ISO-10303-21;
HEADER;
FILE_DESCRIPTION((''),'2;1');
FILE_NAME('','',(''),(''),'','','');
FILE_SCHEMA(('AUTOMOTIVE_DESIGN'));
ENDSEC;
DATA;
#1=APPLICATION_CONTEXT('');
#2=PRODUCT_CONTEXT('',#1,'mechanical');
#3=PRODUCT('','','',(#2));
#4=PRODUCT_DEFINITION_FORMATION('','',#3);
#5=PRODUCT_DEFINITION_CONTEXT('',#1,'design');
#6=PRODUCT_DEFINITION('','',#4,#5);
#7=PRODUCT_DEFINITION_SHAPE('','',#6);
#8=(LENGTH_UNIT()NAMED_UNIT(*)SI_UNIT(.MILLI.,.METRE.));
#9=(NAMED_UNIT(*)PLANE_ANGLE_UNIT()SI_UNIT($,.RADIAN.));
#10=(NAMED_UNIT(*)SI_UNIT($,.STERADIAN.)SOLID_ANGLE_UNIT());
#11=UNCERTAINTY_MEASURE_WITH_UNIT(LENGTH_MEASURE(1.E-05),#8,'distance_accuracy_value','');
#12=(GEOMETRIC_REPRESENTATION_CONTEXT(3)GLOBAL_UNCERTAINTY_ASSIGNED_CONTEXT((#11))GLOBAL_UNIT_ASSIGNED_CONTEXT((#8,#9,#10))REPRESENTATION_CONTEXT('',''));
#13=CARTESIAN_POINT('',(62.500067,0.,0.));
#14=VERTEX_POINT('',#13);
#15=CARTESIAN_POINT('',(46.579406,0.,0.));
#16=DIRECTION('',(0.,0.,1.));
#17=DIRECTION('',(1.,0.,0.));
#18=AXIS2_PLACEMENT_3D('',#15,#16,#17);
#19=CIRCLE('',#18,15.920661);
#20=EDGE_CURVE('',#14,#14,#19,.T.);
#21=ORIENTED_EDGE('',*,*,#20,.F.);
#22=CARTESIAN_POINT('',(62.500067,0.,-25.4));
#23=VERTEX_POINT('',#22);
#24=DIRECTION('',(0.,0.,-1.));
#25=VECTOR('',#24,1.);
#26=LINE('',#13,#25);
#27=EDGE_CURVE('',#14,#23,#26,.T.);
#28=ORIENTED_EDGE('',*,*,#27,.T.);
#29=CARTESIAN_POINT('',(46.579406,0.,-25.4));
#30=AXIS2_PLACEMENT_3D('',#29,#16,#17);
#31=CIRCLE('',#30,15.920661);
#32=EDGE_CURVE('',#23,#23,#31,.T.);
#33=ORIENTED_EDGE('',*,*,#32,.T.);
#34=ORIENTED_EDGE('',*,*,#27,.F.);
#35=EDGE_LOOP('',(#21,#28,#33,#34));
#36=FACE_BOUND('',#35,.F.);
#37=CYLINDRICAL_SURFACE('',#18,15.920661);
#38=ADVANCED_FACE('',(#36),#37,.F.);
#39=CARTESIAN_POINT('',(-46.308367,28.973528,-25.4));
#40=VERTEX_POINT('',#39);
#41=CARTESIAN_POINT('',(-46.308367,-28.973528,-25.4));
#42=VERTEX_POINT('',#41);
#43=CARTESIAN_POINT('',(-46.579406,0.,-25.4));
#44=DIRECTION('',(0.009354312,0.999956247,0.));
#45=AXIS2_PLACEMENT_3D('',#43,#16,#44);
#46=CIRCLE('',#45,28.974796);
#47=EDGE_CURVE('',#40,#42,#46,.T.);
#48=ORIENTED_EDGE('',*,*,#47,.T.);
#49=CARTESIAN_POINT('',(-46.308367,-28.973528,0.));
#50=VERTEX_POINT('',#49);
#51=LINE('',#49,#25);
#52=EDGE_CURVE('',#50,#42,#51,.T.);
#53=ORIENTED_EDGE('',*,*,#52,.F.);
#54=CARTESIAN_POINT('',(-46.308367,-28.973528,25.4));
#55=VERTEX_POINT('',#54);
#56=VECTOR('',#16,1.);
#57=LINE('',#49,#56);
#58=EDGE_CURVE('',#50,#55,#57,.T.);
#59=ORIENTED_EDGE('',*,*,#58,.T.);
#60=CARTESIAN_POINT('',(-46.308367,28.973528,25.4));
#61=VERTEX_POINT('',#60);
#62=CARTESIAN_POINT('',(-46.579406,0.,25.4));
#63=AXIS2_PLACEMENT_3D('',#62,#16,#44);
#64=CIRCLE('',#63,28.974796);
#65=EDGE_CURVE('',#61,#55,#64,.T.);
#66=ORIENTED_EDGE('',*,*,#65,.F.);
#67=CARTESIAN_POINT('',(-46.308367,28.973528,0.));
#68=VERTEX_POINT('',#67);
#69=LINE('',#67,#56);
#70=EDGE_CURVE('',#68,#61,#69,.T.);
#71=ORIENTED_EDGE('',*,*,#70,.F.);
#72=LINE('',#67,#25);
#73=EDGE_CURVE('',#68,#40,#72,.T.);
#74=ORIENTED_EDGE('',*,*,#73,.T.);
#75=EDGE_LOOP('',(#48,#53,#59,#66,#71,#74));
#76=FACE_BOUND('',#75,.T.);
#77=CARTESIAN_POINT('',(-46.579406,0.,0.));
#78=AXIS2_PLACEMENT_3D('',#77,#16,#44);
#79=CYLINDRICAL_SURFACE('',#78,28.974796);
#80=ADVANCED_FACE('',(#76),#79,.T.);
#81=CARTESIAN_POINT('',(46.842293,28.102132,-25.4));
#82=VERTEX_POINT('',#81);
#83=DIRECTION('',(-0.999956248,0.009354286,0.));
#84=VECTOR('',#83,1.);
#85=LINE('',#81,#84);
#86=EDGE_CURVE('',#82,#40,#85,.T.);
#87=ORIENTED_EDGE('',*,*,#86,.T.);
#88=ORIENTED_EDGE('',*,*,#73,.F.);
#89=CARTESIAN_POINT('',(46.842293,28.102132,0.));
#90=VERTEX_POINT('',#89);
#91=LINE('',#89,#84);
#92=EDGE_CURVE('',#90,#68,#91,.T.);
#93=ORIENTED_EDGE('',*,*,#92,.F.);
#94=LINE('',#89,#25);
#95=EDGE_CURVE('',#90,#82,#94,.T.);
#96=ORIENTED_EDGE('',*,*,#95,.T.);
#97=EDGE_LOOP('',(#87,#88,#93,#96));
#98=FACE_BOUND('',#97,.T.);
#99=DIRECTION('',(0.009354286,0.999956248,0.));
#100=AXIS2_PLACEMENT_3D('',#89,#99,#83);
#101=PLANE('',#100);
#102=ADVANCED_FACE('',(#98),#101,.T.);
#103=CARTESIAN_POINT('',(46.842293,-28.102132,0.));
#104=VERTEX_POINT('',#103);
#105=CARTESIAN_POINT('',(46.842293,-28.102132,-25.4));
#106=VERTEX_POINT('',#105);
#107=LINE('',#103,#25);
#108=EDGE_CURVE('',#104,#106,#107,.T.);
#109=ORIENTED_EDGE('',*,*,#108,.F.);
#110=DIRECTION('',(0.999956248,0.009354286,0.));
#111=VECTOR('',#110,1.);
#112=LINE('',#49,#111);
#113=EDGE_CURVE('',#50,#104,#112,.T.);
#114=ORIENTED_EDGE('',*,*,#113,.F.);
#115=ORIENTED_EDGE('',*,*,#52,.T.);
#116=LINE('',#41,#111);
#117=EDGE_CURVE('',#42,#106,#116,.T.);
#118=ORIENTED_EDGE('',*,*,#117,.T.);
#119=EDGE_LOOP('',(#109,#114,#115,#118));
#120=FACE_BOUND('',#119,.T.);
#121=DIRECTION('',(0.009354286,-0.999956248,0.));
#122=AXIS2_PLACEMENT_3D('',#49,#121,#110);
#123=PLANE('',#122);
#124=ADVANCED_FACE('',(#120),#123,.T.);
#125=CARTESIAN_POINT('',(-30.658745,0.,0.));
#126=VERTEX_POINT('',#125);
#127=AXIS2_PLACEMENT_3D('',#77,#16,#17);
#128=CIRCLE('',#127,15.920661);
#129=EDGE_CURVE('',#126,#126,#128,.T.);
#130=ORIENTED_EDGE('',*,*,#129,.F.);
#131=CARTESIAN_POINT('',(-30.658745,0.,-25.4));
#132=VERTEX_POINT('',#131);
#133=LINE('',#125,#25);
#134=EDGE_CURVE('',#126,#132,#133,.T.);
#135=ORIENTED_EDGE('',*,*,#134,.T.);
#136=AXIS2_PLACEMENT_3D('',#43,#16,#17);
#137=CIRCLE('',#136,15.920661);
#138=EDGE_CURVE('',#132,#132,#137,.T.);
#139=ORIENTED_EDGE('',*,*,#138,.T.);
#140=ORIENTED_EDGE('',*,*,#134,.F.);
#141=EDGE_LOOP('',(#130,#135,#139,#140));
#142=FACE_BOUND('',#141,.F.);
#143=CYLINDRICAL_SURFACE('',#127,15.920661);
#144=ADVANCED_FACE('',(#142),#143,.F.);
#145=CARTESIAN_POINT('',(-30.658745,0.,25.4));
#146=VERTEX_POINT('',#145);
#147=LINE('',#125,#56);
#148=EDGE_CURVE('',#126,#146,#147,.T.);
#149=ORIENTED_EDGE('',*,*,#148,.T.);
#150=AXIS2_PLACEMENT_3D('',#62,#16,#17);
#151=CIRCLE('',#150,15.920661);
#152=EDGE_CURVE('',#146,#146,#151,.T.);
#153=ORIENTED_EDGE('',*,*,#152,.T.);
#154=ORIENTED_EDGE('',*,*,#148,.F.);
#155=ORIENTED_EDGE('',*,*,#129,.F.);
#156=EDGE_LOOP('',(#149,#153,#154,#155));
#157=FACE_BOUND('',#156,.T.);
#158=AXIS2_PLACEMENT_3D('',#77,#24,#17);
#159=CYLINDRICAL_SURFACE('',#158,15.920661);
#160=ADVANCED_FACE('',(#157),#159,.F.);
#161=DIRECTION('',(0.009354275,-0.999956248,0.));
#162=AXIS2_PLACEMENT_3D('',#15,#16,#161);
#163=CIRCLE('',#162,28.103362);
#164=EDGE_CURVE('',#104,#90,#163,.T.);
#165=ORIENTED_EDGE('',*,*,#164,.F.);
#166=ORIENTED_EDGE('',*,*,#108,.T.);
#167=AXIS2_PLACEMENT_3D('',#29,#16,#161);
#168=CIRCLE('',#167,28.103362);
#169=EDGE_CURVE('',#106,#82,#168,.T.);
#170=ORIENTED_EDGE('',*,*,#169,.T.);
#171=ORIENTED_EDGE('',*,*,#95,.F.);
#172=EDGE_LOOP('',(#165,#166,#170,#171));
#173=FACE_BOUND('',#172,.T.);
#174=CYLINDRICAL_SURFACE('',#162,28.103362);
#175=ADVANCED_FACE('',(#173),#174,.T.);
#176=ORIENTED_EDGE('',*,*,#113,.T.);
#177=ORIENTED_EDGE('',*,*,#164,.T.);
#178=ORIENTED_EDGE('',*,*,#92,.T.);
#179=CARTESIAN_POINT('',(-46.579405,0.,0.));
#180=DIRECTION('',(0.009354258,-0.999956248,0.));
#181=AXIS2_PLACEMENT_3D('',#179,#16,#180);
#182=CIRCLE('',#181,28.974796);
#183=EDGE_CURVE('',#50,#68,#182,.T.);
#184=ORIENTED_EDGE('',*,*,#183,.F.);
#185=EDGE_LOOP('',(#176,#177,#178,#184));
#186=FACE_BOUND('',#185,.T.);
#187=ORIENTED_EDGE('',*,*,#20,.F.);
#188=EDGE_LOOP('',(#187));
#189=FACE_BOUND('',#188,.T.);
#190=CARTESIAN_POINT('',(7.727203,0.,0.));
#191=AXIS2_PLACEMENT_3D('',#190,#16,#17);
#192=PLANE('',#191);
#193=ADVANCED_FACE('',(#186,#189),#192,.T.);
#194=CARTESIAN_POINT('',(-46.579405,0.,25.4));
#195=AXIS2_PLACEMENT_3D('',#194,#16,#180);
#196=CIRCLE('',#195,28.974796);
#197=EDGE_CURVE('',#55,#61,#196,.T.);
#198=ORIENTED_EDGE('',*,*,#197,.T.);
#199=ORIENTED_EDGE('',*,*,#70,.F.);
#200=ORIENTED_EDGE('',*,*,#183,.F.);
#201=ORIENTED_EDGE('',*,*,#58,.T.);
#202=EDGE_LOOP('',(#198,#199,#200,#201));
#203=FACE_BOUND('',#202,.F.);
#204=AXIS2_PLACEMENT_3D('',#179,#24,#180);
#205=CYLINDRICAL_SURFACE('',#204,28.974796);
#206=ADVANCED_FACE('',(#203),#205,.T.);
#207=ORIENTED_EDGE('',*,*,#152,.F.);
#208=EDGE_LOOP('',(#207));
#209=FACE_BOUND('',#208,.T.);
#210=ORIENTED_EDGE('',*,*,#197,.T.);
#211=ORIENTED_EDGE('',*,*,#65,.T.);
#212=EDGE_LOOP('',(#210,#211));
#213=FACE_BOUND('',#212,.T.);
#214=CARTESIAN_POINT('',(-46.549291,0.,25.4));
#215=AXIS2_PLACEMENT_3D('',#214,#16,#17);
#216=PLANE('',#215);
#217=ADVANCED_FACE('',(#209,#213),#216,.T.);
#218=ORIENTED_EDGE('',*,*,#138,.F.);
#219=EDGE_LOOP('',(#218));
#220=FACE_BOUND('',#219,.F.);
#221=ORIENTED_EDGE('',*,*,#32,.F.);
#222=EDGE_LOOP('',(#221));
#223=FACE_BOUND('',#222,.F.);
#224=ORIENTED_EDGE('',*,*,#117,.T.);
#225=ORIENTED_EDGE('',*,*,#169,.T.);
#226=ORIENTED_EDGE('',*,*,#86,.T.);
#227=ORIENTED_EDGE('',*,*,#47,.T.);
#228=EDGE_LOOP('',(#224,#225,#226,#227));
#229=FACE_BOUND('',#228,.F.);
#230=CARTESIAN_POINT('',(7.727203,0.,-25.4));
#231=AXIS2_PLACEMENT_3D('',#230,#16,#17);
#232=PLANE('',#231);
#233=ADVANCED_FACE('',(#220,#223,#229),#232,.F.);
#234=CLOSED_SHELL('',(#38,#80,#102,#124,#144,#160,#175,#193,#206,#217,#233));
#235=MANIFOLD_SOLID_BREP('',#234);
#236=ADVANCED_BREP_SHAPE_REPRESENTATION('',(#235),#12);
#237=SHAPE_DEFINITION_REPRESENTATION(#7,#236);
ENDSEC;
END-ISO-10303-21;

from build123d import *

# Parameters (mm, degrees)
F0_R     = 15.920661
F1_DEPTH = 25.4
F2_DEPTH = 25.4


with BuildPart() as f1:
    # F0 (on Top) → F1 (new body)
    with BuildSketch(Plane.XY):
        with BuildLine():
            ThreePointArc((-46.308367, -28.973528), (-17.604609, 0), (-46.308367, 28.973528))
            ThreePointArc((-46.308367, 28.973528), (-75.554202, 0), (-46.308367, -28.973528))
        make_face()
        with Locations((-46.579406, 0)):
            Circle(F0_R, mode=Mode.SUBTRACT)
    extrude(amount=F1_DEPTH)

    # F0 (on Top) → F2 (join)
    with BuildSketch(Plane.XY):
        with BuildLine():
            Line((46.842293, 28.102132), (-46.308367, 28.973528))
            ThreePointArc((-46.308367, 28.973528), (-17.604609, 0), (-46.308367, -28.973528))
            Line((-46.308367, -28.973528), (46.842293, -28.102132))
            ThreePointArc((46.842293, -28.102132), (74.682768, 0), (46.842293, 28.102132))
        make_face()
        with Locations((46.579406, 0)):
            Circle(F0_R, mode=Mode.SUBTRACT)
        with BuildLine():
            ThreePointArc((-46.308367, -28.973528), (-17.604609, 0), (-46.308367, 28.973528))
            ThreePointArc((-46.308367, 28.973528), (-75.554202, 0), (-46.308367, -28.973528))
        make_face()
        with Locations((-46.579406, 0)):
            Circle(F0_R, mode=Mode.SUBTRACT)
    extrude(amount=-F2_DEPTH)


solid = f1.part
